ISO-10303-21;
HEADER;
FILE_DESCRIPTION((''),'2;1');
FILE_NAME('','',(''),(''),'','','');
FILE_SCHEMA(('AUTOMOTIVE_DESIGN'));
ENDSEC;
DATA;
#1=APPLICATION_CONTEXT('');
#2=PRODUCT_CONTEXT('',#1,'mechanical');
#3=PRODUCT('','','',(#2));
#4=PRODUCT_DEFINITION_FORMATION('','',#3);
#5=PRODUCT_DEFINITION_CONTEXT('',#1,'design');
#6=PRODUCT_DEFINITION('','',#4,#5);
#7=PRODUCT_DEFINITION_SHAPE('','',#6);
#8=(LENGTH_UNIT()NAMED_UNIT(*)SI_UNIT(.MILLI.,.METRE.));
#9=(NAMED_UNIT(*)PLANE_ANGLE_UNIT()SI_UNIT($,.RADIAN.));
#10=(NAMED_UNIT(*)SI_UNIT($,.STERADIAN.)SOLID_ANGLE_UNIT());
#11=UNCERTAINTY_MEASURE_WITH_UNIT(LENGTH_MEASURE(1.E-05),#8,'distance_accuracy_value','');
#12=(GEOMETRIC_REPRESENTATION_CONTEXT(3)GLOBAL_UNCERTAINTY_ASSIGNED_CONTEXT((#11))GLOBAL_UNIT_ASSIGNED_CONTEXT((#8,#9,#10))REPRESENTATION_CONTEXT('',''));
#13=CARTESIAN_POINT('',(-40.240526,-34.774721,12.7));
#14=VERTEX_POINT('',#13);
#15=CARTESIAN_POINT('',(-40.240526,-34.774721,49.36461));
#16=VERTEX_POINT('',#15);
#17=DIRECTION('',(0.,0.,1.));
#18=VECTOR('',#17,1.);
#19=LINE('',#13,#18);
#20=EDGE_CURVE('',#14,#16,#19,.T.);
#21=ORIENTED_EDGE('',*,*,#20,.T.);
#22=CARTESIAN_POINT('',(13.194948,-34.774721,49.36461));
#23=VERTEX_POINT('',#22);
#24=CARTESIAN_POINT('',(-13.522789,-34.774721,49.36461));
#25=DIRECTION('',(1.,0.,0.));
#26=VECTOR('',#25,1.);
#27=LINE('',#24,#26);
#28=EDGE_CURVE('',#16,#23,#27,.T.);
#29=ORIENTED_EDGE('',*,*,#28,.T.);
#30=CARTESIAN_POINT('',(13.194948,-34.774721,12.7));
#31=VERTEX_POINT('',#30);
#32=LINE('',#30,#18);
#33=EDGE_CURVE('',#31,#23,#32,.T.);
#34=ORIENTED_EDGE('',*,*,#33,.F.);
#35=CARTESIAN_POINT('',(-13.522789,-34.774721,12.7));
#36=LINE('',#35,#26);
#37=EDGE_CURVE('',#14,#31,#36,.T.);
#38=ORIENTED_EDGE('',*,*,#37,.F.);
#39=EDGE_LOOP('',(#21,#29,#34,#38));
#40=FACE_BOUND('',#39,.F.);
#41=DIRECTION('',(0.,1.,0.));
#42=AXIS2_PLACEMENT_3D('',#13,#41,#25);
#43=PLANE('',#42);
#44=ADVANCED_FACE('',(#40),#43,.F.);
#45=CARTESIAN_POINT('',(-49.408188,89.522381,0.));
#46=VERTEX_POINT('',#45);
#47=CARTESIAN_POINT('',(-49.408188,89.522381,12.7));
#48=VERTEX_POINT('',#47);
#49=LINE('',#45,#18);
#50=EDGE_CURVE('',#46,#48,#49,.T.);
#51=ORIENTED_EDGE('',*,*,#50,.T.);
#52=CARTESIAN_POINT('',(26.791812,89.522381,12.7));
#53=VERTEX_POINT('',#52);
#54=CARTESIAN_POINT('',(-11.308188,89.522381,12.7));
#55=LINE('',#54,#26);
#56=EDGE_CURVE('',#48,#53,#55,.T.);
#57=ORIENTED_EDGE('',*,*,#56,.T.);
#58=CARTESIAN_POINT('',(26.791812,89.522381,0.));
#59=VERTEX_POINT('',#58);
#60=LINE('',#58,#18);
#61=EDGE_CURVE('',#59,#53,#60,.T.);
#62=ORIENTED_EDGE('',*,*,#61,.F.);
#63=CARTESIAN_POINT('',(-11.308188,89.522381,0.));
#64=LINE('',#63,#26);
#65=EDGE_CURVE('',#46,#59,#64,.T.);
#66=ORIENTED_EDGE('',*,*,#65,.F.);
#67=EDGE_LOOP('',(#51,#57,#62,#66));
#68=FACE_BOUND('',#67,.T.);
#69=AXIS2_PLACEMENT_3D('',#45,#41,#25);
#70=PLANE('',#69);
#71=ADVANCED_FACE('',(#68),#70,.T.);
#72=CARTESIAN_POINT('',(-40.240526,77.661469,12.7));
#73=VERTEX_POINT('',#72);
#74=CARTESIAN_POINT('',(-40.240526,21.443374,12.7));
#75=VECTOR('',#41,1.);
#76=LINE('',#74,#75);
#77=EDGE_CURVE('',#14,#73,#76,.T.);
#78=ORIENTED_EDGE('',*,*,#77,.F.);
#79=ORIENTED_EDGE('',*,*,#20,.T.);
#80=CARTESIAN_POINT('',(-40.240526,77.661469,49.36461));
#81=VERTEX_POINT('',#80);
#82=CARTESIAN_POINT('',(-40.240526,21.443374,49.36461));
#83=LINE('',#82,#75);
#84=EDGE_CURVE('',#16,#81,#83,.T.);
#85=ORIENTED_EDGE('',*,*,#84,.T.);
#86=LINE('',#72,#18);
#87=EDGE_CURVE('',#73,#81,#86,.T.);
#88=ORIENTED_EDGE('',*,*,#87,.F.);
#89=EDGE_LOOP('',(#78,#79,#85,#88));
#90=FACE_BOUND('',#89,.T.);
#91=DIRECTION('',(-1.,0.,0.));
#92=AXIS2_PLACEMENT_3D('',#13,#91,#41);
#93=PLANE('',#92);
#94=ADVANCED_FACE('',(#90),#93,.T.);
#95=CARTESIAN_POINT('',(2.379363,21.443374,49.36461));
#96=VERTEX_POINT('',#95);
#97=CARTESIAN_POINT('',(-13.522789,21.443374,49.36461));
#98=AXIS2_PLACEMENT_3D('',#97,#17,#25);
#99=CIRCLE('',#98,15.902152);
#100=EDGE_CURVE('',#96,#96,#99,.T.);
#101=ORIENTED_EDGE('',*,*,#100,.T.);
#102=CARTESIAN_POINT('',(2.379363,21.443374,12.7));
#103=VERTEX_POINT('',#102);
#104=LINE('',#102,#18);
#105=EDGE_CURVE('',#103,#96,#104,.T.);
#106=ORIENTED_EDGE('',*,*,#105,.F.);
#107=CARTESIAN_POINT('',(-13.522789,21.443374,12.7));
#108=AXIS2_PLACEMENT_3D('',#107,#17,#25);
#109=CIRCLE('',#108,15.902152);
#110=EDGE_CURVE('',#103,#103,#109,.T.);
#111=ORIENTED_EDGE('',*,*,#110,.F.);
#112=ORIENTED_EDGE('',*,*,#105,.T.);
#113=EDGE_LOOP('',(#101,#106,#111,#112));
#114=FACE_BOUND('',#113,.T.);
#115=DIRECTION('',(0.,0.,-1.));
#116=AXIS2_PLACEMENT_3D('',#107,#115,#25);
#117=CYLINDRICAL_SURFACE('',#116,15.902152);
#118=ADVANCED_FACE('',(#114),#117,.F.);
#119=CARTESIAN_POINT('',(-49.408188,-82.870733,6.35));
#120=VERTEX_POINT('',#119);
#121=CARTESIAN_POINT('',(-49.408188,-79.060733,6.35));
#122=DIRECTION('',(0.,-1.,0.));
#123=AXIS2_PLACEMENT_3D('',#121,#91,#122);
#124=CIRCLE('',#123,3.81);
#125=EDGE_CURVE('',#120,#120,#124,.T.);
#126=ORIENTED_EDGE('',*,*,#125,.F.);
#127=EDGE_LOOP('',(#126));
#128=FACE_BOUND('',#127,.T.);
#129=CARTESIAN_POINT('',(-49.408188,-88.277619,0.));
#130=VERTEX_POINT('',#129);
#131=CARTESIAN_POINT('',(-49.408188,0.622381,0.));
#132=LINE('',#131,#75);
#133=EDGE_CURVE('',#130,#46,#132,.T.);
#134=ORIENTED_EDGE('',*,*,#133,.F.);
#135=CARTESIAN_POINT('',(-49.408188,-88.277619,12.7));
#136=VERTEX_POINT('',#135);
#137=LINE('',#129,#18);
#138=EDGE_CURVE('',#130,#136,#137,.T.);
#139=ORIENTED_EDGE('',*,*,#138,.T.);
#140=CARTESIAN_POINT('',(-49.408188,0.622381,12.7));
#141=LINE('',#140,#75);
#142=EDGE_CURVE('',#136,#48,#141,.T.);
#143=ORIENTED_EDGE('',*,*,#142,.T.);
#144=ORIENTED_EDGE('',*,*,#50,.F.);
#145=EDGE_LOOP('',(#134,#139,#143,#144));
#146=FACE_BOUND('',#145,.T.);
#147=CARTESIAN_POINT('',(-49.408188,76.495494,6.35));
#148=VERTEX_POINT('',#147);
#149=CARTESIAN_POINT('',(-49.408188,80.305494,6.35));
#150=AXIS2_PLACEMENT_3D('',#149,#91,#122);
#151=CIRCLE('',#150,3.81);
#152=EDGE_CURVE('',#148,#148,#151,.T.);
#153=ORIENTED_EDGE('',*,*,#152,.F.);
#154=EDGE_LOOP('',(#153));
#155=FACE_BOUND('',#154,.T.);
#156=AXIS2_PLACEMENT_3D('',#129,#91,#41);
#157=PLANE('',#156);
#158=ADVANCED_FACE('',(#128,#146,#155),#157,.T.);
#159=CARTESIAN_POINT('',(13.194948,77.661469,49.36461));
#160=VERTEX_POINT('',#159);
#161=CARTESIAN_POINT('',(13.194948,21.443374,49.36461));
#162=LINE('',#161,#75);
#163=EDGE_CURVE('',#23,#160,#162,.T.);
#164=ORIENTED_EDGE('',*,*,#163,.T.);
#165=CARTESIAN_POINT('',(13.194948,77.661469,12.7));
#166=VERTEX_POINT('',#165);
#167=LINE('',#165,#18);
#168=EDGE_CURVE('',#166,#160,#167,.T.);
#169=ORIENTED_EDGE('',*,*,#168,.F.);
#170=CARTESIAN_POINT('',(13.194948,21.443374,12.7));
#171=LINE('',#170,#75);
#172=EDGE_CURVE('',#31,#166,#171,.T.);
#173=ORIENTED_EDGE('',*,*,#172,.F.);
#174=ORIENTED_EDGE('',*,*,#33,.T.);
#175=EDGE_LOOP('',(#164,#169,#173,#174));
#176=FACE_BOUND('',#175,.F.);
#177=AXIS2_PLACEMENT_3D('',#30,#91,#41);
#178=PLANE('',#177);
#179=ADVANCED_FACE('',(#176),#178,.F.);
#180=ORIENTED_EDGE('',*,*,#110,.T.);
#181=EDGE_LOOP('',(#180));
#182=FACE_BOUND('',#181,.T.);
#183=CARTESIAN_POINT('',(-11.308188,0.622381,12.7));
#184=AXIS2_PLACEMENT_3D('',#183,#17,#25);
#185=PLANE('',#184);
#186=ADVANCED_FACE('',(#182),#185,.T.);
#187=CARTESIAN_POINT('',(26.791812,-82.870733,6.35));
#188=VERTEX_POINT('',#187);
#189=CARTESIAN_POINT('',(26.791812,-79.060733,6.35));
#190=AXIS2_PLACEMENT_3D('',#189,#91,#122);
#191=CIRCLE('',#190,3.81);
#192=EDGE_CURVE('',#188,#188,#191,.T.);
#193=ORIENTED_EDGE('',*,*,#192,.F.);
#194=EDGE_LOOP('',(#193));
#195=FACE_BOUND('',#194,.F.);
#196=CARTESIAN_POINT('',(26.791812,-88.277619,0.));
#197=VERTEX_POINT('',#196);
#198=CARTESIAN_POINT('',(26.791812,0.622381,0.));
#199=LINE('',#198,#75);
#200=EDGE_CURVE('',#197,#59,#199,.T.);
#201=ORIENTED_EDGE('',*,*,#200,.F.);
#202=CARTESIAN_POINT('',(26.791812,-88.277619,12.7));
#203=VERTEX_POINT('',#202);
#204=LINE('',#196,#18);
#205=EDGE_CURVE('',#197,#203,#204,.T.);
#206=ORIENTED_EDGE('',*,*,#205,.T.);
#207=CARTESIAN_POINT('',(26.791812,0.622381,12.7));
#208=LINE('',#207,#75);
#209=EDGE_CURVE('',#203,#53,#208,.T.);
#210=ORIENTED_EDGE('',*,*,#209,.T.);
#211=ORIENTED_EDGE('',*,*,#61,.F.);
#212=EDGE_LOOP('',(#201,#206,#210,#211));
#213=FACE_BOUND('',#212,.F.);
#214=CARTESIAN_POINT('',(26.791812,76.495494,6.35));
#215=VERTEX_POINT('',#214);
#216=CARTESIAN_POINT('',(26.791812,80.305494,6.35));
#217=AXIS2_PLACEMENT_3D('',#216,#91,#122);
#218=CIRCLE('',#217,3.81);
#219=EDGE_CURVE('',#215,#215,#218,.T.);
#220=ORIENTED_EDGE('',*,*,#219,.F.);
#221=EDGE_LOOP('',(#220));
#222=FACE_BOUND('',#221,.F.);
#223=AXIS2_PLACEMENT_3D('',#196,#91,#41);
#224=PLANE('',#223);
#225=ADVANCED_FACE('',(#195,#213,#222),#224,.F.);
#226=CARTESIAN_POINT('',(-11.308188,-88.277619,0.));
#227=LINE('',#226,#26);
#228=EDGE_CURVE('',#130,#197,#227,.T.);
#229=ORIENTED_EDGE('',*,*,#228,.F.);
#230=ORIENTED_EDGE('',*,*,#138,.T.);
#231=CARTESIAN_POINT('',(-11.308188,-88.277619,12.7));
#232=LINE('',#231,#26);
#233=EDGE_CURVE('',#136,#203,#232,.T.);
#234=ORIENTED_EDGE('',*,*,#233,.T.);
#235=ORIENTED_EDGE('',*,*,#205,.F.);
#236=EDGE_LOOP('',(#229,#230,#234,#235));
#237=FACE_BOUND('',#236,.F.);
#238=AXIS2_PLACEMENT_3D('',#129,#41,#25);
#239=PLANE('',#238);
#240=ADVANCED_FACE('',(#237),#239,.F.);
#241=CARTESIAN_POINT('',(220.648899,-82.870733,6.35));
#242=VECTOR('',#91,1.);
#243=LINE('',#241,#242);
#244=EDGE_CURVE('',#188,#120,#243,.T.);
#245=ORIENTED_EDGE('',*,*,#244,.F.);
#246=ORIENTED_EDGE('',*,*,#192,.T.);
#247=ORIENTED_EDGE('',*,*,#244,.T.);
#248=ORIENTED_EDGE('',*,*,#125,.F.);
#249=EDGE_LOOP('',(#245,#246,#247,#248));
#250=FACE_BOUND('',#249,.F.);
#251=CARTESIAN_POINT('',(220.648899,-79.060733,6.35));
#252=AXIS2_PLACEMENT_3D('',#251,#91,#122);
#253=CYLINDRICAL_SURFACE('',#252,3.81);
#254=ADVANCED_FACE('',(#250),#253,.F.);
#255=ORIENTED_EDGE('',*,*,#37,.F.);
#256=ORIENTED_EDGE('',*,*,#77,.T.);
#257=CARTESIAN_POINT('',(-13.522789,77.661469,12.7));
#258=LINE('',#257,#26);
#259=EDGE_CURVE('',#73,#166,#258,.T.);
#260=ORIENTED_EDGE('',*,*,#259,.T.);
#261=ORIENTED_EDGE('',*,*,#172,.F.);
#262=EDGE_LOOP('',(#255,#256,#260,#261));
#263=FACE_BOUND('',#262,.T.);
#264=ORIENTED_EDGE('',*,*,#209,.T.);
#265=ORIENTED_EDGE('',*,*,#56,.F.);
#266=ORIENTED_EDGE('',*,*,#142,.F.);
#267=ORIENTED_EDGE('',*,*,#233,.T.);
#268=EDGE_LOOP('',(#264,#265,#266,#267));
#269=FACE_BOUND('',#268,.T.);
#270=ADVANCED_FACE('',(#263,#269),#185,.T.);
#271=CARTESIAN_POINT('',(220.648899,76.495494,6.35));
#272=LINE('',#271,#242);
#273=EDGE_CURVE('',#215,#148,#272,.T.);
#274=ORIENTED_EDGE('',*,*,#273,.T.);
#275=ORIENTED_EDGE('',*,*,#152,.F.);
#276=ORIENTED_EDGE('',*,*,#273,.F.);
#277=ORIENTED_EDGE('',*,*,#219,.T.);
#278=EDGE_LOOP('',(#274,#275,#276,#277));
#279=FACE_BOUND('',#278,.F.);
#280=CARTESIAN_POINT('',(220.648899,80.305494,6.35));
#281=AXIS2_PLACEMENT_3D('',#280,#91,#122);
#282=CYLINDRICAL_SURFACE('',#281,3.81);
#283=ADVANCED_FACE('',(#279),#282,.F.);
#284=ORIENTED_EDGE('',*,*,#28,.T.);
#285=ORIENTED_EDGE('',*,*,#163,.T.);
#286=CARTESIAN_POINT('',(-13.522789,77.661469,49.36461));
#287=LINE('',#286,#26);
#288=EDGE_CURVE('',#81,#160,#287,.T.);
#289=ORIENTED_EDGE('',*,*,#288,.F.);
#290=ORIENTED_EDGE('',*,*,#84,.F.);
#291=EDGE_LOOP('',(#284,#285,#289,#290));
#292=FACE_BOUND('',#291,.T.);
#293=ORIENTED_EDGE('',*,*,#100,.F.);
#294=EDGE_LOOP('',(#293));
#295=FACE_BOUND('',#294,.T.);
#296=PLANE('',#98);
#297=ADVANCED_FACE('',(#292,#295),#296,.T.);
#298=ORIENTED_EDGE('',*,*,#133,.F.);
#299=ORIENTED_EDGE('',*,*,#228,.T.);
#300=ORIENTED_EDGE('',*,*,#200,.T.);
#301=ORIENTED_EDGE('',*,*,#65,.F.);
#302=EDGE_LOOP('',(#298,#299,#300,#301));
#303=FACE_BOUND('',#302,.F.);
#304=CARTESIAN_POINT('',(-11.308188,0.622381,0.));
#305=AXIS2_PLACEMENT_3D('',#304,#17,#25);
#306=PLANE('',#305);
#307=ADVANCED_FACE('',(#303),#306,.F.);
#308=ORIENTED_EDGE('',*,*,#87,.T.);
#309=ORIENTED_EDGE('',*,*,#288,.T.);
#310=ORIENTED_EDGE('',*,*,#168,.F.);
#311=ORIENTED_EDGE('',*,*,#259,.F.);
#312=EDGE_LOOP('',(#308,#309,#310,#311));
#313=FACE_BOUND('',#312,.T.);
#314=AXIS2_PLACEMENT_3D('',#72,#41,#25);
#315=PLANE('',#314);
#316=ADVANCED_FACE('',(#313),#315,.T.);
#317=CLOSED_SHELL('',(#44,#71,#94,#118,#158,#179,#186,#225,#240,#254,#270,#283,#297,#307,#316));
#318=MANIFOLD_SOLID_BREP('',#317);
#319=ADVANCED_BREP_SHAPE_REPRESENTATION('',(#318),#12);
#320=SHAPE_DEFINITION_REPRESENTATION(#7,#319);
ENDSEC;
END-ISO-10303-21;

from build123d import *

# Parameters (mm, degrees)
F0_W     = 76.2
F0_H     = 177.8
F1_DEPTH = 12.7
F3_D     = 7.62
F4_D     = 7.62
F6_W     = 53.435474
F6_H     = 112.436191
F6_R     = 15.902152
F7_DEPTH = 36.66461


with BuildPart() as f1:
    # F0 (on Top) → F1 (new body)
    with BuildSketch(Plane.XY):
        with Locations((-11.308188, 0.622381)):
            Rectangle(F0_W, F0_H)
    extrude(amount=F1_DEPTH)

    # F3 (through all)
    with Locations(Plane.YZ.offset(26.791812)):
        with Locations((-79.060733, 6.35)):
            Hole(F3_D / 2)

    # F4 (through all)
    with Locations(Plane.YZ.offset(26.791812)):
        with Locations((80.305494, 6.35)):
            Hole(F4_D / 2)

    # F6 (on face) → F7 (join)
    with BuildSketch(Plane.XY.offset(12.7)):
        with Locations((-13.522789, 21.443374)):
            Rectangle(F6_W, F6_H)
        with Locations((-13.522789, 21.443374)):
            Circle(F6_R, mode=Mode.SUBTRACT)
    extrude(amount=F7_DEPTH)


solid = f1.part
